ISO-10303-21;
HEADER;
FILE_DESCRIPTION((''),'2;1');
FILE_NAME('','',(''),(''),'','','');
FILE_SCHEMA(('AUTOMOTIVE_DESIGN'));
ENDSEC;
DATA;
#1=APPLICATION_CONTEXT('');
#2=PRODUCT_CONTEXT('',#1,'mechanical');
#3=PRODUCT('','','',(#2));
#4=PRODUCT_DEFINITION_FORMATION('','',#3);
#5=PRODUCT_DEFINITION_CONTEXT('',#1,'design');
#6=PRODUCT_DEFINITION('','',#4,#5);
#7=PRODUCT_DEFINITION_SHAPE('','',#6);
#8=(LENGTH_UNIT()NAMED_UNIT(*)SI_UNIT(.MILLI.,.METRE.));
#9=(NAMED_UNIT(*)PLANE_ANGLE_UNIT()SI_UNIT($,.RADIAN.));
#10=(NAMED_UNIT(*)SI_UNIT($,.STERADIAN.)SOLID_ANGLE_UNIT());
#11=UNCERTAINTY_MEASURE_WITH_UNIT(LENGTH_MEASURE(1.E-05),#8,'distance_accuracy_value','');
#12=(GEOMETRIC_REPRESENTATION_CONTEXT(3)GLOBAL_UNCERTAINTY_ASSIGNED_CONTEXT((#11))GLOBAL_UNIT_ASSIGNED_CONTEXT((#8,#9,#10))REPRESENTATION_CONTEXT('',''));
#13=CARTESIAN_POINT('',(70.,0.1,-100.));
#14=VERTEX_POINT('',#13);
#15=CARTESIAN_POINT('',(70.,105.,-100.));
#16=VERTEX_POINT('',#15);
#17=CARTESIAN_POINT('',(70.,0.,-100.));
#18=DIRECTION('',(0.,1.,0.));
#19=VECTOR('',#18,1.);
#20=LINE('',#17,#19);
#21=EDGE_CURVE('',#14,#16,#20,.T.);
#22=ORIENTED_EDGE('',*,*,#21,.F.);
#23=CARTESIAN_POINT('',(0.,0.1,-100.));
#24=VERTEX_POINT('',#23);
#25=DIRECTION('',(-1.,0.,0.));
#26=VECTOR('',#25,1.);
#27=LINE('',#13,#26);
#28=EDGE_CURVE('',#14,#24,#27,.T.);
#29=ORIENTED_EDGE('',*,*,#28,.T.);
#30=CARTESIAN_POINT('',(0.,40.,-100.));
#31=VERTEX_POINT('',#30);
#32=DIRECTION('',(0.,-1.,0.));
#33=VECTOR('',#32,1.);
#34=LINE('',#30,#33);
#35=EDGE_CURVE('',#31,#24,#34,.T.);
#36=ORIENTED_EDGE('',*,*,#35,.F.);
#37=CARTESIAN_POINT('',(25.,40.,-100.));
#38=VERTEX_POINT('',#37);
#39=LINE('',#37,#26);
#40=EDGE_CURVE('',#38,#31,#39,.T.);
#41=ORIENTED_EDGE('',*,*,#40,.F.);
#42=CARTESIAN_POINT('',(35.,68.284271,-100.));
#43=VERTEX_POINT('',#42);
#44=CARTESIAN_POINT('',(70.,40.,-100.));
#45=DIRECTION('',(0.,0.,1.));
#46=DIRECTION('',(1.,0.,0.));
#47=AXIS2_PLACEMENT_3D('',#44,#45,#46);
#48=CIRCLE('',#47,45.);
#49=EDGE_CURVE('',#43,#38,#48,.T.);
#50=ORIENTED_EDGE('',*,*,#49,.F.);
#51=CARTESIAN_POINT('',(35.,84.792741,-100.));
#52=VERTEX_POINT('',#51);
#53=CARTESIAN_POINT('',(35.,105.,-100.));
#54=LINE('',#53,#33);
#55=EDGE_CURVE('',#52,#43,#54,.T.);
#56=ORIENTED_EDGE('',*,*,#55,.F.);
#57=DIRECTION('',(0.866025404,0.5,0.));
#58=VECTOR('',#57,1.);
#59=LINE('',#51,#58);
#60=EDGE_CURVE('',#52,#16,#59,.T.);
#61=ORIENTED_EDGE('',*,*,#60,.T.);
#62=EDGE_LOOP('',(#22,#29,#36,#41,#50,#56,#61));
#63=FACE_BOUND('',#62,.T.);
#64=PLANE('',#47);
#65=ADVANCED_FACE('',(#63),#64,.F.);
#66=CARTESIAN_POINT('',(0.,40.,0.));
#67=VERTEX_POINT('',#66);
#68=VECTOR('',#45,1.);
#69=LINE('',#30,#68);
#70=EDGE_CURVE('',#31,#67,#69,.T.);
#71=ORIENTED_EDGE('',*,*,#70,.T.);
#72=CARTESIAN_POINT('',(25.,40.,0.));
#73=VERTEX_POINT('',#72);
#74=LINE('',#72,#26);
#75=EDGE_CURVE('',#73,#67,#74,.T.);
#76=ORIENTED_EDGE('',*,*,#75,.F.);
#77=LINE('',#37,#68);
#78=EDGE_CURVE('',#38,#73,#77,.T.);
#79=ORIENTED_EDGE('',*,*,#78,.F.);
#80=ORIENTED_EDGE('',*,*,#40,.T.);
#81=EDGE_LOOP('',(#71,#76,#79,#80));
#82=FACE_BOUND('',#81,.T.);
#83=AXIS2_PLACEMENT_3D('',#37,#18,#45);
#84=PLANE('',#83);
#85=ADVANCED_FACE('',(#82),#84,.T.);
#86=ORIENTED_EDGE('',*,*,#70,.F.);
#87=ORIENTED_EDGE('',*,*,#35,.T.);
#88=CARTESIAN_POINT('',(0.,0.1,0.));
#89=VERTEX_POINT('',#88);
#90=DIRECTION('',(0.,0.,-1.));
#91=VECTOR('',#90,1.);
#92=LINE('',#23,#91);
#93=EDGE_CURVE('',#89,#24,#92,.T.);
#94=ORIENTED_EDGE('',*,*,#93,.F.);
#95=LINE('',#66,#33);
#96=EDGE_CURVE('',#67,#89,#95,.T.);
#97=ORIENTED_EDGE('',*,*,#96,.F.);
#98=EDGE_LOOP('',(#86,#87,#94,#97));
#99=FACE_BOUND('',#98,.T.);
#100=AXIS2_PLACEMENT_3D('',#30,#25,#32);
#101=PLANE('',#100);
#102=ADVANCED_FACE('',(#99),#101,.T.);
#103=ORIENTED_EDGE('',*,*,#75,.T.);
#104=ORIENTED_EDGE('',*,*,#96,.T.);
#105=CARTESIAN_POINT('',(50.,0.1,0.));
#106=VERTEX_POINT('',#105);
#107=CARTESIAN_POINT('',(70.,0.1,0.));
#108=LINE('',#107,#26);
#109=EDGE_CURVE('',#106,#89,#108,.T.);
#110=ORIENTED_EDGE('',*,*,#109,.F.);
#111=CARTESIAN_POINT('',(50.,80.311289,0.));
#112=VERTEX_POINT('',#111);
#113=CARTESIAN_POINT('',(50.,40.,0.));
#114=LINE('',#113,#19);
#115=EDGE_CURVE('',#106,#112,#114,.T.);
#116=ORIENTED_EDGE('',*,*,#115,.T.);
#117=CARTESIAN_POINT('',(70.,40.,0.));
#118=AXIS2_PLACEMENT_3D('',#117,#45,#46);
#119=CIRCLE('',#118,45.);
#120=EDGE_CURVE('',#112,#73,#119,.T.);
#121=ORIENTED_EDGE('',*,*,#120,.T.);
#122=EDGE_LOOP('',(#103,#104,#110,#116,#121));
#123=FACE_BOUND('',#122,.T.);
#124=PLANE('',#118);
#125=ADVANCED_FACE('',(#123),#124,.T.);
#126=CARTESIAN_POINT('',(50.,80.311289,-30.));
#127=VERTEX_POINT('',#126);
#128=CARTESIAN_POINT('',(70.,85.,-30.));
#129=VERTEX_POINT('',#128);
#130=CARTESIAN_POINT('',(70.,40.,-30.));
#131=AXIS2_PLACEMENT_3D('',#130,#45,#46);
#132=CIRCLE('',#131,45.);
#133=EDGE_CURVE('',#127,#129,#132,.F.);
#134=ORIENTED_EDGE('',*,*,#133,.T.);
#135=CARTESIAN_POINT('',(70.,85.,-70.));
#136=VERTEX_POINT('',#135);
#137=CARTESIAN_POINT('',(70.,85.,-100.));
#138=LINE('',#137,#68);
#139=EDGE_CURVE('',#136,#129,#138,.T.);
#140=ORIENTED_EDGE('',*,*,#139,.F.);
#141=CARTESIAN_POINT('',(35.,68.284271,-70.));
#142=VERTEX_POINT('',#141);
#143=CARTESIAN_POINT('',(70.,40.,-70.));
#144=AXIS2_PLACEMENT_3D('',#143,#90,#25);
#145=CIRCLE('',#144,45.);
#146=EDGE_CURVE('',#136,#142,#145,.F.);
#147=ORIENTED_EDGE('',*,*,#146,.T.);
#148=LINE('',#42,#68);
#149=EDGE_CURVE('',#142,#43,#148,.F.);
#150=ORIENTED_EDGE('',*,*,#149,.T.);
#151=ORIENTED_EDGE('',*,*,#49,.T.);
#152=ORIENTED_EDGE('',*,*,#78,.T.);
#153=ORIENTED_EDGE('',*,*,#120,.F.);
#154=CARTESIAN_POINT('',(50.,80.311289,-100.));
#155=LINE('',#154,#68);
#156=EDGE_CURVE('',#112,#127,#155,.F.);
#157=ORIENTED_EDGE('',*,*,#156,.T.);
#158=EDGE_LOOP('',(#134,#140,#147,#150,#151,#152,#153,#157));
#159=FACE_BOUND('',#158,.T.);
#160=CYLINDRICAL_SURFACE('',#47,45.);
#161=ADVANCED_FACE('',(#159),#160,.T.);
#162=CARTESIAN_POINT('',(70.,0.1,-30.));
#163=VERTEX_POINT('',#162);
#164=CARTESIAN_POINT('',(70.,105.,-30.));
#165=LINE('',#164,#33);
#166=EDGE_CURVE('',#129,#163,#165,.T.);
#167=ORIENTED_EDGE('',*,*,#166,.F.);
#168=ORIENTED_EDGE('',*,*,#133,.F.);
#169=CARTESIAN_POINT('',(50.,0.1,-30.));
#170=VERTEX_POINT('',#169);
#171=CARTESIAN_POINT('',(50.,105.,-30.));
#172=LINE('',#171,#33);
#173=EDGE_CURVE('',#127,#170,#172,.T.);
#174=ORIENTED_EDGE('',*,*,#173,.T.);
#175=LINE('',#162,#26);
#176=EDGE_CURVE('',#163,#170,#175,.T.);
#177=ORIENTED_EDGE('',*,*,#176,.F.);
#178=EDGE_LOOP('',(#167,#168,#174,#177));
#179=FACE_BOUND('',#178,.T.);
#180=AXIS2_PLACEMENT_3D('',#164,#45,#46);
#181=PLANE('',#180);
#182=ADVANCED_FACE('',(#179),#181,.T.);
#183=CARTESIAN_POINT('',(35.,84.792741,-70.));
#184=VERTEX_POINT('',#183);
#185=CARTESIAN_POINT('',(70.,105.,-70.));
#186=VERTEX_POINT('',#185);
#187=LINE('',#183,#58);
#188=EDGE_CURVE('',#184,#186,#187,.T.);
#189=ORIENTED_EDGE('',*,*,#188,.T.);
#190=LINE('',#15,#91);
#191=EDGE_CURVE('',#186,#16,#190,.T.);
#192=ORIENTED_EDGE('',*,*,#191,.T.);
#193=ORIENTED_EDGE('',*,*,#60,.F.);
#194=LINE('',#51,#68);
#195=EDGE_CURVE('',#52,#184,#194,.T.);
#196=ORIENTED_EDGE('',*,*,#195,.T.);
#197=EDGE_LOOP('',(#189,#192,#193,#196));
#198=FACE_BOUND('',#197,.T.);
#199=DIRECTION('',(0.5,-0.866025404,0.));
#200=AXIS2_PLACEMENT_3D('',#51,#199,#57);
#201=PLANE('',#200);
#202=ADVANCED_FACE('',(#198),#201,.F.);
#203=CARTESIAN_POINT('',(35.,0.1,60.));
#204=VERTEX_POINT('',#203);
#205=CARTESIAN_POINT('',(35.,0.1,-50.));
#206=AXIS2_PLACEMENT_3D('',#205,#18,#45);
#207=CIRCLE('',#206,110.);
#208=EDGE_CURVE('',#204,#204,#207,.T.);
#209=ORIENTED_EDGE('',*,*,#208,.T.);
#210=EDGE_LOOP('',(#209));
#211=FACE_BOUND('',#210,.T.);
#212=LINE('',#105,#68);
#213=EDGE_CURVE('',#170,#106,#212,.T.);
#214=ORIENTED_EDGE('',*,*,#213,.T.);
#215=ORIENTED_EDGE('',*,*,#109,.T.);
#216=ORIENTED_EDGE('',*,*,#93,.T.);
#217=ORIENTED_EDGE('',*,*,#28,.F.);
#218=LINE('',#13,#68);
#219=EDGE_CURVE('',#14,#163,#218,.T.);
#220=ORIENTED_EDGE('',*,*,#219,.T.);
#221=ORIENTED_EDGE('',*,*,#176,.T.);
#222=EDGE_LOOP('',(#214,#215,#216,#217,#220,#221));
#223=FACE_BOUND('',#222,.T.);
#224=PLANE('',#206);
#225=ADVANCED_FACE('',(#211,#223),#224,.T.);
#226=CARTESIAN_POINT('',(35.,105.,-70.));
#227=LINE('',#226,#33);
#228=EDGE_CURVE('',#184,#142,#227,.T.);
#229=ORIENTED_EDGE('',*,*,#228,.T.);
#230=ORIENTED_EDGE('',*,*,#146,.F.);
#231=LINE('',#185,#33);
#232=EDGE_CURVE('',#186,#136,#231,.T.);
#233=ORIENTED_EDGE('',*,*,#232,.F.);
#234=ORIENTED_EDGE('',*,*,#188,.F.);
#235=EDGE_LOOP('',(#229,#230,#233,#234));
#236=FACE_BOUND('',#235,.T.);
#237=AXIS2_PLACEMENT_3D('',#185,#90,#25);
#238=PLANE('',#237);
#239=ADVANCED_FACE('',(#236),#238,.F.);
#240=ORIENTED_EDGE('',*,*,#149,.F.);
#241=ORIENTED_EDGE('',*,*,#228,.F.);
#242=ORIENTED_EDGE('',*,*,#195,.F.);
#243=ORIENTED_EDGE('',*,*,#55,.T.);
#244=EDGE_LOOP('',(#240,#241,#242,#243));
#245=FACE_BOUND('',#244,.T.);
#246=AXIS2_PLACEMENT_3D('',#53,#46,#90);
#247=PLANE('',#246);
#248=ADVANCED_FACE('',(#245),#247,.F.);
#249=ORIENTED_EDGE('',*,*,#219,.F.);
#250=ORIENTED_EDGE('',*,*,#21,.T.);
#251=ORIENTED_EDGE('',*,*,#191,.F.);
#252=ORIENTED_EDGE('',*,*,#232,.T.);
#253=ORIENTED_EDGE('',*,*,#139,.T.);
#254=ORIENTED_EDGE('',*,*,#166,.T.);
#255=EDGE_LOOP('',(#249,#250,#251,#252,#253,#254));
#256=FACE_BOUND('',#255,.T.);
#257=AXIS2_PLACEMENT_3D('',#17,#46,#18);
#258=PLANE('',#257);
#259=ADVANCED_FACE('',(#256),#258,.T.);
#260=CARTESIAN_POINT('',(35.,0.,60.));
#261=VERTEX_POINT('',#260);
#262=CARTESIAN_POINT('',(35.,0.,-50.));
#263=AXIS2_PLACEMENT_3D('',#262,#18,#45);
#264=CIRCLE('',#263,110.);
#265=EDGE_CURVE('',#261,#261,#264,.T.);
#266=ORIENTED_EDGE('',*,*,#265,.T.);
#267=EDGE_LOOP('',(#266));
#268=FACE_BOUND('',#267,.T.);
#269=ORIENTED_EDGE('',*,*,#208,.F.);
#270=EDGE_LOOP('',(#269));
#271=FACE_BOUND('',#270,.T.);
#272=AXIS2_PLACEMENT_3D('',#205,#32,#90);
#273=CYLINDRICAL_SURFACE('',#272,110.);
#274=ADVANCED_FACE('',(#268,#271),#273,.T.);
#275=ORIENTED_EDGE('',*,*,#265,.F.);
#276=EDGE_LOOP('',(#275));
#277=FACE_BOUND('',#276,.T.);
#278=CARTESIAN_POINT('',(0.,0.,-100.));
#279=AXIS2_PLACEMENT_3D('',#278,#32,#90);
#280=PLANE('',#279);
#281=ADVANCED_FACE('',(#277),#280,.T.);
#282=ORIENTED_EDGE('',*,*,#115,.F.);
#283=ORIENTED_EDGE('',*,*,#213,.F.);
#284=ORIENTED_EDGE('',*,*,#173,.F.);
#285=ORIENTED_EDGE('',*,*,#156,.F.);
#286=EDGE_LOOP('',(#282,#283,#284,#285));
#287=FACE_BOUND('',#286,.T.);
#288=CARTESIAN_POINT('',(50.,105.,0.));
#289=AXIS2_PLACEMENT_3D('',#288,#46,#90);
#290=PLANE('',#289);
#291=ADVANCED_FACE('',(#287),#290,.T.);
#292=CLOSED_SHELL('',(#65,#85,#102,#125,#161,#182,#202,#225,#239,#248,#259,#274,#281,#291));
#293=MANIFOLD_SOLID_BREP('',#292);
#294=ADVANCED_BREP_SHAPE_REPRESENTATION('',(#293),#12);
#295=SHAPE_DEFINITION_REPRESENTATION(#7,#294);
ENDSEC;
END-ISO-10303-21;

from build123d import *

# Parameters (mm, degrees)
EXTRUDE1_DEPTH = 100
SKETCH2_W      = 35
SKETCH2_H      = 30
EXTRUDE2_DEPTH = 105
SKETCH3_W      = 20
SKETCH3_H      = 30
EXTRUDE3_DEPTH = 105
EXTRUDE4_DEPTH = 31
SKETCH5_R      = 110
EXTRUDE5_DEPTH = 0.1


with BuildPart() as part:
    # Sketch1 → Extrude1 (new body)
    with BuildSketch(Plane.XY):
        with BuildLine():
            Line((0, 0), (70, 0))
            Line((70, 0), (70, 85))
            ThreePointArc((70, 85), (38.180194847, 71.819805153), (25, 40))
            Line((25, 40), (0, 40))
            Line((0, 40), (0, 0))
        make_face()
    extrude(amount=-EXTRUDE1_DEPTH)

    # Sketch2 → Extrude2 (add)
    with BuildSketch(Plane(origin=(0, 0, 0), x_dir=(1, 0, 0), z_dir=(0, 1, 0))):
        with Locations((52.5, 85)):
            Rectangle(SKETCH2_W, SKETCH2_H)
    extrude(amount=EXTRUDE2_DEPTH)

    # Sketch3 → Extrude3 (cut)
    with BuildSketch(Plane(origin=(0, 0, 0), x_dir=(1, 0, 0), z_dir=(0, 1, 0))):
        with Locations((60, 15)):
            Rectangle(SKETCH3_W, SKETCH3_H)
    extrude(amount=EXTRUDE3_DEPTH, mode=Mode.SUBTRACT)

    # Sketch4 → Extrude4 (cut, through all)
    with BuildSketch(Plane.XY.offset(-70)):
        Polygon((70, 105), (35, 105), (35, 84.792740578), align=None)
    extrude(amount=-EXTRUDE4_DEPTH, mode=Mode.SUBTRACT)

    # Sketch5 → Extrude5 (add)
    with BuildSketch(Plane(origin=(0, 0, 0), x_dir=(1, 0, 0), z_dir=(0, 1, 0))):
        with Locations(Location((35, 50, 0), (0, 0, 270))):  # turned: the seam where the file's is
            Circle(SKETCH5_R)
    extrude(amount=EXTRUDE5_DEPTH)


solid = part.part
